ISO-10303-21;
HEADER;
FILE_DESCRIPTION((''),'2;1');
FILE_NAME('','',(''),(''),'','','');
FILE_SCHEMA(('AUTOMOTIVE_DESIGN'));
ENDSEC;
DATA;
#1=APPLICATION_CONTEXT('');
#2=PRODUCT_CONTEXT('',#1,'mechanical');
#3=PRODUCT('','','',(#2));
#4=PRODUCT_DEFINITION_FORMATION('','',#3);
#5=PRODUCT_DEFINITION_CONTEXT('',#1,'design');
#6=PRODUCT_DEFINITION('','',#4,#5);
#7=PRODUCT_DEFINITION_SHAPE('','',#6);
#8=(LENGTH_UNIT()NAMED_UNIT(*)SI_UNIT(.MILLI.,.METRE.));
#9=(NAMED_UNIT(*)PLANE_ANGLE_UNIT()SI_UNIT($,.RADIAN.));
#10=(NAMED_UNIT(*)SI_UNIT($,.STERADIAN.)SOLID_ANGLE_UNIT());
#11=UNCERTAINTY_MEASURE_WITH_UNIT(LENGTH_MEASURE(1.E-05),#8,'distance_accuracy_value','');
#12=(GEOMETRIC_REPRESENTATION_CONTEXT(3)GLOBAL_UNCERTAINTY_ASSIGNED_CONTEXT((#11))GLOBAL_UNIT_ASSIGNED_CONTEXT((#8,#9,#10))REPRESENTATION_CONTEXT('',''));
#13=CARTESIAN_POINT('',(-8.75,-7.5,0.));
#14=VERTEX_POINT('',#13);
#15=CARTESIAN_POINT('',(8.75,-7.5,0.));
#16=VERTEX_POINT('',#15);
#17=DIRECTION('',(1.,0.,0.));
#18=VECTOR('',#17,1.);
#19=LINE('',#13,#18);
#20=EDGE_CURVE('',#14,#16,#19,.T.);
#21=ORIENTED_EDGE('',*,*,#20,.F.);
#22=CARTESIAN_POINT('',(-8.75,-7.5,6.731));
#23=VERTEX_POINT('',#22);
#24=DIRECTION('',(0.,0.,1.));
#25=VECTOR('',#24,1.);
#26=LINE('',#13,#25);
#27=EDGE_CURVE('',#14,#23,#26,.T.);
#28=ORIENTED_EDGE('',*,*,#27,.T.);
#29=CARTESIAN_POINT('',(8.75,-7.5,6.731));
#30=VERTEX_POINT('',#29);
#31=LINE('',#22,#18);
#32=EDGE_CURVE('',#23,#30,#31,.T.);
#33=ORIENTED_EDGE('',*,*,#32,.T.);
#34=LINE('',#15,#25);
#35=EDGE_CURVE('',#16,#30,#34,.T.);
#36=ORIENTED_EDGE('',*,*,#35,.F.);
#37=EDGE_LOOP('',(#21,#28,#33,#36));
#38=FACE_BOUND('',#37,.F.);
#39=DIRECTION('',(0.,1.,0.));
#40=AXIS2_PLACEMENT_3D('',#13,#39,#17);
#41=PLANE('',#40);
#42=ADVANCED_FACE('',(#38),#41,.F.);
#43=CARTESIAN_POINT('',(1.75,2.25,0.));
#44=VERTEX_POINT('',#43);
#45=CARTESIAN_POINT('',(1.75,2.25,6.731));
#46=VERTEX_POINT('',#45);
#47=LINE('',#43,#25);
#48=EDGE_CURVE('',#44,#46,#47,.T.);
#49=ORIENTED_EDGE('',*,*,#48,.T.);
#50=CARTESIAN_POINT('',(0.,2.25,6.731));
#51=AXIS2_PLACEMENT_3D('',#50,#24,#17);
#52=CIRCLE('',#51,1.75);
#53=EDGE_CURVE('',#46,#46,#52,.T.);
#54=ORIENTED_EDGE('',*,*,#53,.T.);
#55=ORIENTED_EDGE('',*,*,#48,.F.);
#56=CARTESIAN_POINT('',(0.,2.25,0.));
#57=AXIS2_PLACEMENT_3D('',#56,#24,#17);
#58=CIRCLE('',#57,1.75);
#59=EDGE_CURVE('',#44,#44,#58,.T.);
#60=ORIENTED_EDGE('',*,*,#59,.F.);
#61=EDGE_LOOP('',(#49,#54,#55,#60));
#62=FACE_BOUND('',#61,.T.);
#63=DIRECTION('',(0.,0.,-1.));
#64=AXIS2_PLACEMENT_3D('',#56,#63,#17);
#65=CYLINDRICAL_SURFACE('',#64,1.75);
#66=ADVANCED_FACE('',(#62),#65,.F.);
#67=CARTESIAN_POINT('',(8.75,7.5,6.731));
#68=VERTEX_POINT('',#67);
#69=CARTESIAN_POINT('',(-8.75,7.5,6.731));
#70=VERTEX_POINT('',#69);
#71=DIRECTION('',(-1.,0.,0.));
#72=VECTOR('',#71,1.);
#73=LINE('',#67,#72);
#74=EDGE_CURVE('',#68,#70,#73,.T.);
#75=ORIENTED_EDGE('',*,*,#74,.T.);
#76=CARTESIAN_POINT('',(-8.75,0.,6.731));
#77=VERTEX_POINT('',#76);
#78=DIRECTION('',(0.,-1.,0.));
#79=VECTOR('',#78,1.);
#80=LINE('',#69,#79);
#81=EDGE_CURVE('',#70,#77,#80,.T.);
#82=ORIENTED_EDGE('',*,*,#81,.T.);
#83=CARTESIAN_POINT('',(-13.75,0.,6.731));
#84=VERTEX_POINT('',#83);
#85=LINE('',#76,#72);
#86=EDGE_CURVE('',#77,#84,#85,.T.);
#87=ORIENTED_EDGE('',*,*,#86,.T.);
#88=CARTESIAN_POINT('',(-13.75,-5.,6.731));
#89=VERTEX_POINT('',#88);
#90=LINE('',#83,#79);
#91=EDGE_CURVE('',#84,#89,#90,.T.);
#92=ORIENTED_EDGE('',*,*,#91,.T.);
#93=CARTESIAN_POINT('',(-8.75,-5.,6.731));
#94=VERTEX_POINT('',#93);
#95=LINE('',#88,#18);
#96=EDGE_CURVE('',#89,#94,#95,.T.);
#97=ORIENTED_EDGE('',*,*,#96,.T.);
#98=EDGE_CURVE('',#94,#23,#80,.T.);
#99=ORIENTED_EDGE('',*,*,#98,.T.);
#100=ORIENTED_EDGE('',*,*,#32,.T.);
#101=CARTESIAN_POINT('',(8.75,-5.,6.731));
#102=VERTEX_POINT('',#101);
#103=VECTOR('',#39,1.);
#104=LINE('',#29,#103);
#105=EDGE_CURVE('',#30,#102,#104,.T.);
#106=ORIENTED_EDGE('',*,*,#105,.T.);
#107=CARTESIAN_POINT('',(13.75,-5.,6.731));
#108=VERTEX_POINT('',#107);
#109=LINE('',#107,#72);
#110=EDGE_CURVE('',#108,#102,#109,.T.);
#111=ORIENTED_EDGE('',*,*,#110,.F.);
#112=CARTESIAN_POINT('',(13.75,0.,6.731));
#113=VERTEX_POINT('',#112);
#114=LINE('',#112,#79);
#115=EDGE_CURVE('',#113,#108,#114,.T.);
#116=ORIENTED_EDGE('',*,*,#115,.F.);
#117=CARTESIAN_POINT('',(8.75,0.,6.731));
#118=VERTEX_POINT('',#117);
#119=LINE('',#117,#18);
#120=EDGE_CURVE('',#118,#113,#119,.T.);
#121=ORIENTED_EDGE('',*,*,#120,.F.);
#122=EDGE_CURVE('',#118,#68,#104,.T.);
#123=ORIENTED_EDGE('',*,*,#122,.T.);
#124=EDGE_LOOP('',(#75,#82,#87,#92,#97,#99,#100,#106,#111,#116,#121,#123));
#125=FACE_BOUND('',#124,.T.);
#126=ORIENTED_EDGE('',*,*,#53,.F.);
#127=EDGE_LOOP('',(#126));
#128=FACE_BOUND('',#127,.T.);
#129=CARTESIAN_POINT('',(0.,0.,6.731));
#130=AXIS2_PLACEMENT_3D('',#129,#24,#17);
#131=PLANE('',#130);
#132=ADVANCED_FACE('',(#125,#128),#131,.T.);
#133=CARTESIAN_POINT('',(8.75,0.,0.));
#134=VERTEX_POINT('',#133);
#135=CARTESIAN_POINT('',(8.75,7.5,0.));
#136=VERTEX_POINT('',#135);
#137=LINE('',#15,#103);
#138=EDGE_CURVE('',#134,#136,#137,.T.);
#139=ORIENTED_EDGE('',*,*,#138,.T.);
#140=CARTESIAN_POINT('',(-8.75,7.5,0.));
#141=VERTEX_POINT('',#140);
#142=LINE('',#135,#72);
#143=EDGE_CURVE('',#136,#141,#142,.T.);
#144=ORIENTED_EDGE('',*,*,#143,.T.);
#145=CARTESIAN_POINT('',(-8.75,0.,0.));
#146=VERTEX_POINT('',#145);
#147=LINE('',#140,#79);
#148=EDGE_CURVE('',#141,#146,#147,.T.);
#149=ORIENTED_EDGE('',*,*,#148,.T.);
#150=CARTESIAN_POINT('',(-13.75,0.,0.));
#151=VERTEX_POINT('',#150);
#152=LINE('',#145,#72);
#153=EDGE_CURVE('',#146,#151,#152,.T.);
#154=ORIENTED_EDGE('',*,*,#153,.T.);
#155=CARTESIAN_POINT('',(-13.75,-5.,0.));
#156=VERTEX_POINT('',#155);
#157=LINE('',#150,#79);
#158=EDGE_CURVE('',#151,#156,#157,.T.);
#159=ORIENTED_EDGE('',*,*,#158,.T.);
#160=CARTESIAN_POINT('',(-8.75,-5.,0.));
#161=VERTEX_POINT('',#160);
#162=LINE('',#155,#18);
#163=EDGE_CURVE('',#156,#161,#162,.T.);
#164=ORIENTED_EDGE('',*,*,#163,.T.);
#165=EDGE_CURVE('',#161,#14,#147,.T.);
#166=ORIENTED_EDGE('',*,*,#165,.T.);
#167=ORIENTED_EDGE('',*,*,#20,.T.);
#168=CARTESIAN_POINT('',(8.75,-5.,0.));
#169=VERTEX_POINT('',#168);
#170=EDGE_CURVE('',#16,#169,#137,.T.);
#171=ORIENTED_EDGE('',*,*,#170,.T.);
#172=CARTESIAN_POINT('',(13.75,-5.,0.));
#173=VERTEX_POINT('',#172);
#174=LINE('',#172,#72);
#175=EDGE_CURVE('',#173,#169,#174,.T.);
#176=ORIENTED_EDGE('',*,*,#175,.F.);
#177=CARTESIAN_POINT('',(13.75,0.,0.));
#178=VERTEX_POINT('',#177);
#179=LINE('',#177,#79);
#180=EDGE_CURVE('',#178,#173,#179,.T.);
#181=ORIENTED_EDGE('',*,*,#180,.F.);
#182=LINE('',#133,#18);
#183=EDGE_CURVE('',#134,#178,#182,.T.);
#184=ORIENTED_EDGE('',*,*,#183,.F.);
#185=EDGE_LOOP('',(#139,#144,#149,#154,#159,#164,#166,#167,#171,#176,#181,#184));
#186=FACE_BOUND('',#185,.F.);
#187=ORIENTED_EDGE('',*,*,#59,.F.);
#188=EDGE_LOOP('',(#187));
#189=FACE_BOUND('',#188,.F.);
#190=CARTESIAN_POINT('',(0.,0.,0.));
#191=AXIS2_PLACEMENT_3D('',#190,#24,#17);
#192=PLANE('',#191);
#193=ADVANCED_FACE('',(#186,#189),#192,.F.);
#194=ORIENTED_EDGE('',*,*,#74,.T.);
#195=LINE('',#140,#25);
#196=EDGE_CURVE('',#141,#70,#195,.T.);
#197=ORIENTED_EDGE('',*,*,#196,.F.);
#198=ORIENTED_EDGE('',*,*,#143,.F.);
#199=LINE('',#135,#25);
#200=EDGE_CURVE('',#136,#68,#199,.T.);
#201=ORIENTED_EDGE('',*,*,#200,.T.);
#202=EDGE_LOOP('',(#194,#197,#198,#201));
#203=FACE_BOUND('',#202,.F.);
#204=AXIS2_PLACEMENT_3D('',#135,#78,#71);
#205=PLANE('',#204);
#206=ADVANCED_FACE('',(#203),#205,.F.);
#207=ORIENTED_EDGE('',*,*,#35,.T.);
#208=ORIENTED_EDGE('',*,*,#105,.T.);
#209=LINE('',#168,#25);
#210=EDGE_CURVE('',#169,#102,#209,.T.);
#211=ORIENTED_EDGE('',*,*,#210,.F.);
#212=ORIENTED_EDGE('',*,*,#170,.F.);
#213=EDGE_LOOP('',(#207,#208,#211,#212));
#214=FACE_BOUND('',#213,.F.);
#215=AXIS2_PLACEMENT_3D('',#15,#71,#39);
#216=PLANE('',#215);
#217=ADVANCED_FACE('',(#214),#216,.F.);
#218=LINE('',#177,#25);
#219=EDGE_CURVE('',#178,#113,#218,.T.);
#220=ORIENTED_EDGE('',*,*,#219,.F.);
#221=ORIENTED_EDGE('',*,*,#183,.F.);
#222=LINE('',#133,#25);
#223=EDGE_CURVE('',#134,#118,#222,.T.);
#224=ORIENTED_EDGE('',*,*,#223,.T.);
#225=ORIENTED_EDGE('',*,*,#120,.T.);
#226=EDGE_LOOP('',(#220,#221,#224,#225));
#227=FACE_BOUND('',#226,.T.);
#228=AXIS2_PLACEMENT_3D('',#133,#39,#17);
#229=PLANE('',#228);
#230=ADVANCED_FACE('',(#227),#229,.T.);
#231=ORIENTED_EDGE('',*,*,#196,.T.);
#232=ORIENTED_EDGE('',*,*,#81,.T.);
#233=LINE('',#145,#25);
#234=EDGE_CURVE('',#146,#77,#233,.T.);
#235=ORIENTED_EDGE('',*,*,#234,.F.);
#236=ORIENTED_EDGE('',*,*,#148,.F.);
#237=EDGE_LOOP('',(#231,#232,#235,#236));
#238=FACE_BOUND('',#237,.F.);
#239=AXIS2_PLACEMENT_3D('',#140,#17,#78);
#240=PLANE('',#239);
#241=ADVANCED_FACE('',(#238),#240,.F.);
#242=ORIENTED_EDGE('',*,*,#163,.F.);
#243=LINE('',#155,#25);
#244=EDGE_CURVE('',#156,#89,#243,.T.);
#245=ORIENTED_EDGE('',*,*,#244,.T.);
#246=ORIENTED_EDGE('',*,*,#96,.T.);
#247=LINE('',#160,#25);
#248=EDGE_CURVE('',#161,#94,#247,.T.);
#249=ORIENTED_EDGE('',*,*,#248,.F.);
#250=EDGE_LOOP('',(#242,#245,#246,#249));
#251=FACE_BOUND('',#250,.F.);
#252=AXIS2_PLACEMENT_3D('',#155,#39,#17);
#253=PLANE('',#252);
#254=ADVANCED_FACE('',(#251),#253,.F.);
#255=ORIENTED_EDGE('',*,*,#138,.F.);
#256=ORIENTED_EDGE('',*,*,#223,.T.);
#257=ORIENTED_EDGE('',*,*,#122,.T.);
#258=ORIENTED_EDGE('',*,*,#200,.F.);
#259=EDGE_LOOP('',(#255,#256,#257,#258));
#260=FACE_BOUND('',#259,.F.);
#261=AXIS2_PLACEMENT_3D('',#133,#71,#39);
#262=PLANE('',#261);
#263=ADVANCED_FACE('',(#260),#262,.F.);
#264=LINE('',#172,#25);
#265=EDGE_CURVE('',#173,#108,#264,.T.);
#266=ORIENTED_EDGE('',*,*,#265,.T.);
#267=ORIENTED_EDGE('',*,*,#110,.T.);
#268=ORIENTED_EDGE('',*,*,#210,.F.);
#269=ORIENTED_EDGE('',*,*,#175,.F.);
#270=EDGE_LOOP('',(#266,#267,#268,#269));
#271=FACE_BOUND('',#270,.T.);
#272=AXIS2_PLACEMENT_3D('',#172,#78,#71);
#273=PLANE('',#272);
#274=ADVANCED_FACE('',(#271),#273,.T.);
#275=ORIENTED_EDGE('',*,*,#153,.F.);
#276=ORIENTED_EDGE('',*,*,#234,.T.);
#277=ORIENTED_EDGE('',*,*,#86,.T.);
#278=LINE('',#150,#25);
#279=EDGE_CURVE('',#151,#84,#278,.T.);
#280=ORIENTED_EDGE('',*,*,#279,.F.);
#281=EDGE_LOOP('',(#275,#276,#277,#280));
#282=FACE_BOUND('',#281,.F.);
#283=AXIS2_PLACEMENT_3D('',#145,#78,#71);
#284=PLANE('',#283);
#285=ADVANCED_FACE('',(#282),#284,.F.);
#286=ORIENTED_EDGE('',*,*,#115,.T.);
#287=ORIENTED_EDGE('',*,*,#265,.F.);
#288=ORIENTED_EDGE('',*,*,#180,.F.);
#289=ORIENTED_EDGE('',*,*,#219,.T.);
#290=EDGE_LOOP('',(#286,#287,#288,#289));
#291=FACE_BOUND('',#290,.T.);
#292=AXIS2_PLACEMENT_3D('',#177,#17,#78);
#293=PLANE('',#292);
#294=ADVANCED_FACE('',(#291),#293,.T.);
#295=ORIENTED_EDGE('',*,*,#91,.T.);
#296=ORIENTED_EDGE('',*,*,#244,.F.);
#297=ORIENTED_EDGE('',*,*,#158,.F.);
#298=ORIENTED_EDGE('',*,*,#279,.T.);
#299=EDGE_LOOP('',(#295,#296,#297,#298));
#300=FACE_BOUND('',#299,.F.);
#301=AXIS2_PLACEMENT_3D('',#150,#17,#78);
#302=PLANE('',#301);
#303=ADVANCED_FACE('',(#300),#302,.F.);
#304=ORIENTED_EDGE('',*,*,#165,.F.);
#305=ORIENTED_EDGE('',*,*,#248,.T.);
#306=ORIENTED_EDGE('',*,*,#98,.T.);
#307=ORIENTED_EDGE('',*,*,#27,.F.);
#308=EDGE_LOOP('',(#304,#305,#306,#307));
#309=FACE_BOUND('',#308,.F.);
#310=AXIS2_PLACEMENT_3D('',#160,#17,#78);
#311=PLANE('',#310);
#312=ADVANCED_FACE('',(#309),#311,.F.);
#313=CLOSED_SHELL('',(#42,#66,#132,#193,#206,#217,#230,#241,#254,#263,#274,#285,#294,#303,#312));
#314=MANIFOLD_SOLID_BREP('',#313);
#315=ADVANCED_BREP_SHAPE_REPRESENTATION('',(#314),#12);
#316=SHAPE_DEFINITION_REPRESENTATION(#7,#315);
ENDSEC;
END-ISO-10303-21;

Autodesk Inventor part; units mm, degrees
ref_plane "YZ Plane" through (0, 0, 0) normal (1, 0, 0) x (0, 1, 0)
ref_plane "XZ Plane" through (0, 0, 0) normal (0, 1, 0) x (-1, 0, 0)
ref_plane "XY Plane" through (0, 0, 0) normal (0, 0, 1) x (1, 0, 0)
sketch "Sketch1" plane through (0, 0, 0) normal (0, 0, 1) x (1, 0, 0)
  line L0 (-8.75, -7.5) -> (8.75, -7.5)
  line L1 (8.75, -7.5) -> (8.75, 7.5)
  line L2 (8.75, 7.5) -> (-8.75, 7.5)
  line L3 (-8.75, 7.5) -> (-8.75, -7.5)
  line L4 (8.75, 0) -> (13.75, 0)
  line L5 (13.75, 0) -> (13.75, -5)
  line L6 (13.75, -5) -> (8.75, -5)
  line L7 (8.75, -5) -> (8.75, 0)
  line L8 (-8.75, 0) -> (-13.75, 0)
  line L9 (-13.75, 0) -> (-13.75, -5)
  line L10 (-13.75, -5) -> (-8.75, -5)
  line L11 (-8.75, -5) -> (-8.75, 0)
  circle A0 centre (0, 2.25) radius 1.75
  point P0 (0, 0)
  point P1 (0, 7.5)
  point P2 (-13.75, -2.5)
  point P3 (13.75, -2.5)
  dimension "d0" = 5
  dimension "d1" = 17.5
  dimension "d2" = 15
  dimension "d3" = 5
  dimension "d7" = 8.75
  dimension "d9" = 3.5
  dimension "d10" = 2.5
  dimension "d11" = 4.75
extrude "Extrusion1" add sketch "Sketch1" along normal blind 6.731
equation "\"d7\" = 0.5 * d1"
equation "\"d4\" = THICKB"
equation "\"THICKA\" = 3.175"
equation "\"THICKB\" = 6.731"
equation "\"THICKC\" = 12.7"
equation "\"BALLDIA\" = 12"
equation "\"MAGDIA\" = 9.5"
properties part number "Air2D_Back_Bowden"
